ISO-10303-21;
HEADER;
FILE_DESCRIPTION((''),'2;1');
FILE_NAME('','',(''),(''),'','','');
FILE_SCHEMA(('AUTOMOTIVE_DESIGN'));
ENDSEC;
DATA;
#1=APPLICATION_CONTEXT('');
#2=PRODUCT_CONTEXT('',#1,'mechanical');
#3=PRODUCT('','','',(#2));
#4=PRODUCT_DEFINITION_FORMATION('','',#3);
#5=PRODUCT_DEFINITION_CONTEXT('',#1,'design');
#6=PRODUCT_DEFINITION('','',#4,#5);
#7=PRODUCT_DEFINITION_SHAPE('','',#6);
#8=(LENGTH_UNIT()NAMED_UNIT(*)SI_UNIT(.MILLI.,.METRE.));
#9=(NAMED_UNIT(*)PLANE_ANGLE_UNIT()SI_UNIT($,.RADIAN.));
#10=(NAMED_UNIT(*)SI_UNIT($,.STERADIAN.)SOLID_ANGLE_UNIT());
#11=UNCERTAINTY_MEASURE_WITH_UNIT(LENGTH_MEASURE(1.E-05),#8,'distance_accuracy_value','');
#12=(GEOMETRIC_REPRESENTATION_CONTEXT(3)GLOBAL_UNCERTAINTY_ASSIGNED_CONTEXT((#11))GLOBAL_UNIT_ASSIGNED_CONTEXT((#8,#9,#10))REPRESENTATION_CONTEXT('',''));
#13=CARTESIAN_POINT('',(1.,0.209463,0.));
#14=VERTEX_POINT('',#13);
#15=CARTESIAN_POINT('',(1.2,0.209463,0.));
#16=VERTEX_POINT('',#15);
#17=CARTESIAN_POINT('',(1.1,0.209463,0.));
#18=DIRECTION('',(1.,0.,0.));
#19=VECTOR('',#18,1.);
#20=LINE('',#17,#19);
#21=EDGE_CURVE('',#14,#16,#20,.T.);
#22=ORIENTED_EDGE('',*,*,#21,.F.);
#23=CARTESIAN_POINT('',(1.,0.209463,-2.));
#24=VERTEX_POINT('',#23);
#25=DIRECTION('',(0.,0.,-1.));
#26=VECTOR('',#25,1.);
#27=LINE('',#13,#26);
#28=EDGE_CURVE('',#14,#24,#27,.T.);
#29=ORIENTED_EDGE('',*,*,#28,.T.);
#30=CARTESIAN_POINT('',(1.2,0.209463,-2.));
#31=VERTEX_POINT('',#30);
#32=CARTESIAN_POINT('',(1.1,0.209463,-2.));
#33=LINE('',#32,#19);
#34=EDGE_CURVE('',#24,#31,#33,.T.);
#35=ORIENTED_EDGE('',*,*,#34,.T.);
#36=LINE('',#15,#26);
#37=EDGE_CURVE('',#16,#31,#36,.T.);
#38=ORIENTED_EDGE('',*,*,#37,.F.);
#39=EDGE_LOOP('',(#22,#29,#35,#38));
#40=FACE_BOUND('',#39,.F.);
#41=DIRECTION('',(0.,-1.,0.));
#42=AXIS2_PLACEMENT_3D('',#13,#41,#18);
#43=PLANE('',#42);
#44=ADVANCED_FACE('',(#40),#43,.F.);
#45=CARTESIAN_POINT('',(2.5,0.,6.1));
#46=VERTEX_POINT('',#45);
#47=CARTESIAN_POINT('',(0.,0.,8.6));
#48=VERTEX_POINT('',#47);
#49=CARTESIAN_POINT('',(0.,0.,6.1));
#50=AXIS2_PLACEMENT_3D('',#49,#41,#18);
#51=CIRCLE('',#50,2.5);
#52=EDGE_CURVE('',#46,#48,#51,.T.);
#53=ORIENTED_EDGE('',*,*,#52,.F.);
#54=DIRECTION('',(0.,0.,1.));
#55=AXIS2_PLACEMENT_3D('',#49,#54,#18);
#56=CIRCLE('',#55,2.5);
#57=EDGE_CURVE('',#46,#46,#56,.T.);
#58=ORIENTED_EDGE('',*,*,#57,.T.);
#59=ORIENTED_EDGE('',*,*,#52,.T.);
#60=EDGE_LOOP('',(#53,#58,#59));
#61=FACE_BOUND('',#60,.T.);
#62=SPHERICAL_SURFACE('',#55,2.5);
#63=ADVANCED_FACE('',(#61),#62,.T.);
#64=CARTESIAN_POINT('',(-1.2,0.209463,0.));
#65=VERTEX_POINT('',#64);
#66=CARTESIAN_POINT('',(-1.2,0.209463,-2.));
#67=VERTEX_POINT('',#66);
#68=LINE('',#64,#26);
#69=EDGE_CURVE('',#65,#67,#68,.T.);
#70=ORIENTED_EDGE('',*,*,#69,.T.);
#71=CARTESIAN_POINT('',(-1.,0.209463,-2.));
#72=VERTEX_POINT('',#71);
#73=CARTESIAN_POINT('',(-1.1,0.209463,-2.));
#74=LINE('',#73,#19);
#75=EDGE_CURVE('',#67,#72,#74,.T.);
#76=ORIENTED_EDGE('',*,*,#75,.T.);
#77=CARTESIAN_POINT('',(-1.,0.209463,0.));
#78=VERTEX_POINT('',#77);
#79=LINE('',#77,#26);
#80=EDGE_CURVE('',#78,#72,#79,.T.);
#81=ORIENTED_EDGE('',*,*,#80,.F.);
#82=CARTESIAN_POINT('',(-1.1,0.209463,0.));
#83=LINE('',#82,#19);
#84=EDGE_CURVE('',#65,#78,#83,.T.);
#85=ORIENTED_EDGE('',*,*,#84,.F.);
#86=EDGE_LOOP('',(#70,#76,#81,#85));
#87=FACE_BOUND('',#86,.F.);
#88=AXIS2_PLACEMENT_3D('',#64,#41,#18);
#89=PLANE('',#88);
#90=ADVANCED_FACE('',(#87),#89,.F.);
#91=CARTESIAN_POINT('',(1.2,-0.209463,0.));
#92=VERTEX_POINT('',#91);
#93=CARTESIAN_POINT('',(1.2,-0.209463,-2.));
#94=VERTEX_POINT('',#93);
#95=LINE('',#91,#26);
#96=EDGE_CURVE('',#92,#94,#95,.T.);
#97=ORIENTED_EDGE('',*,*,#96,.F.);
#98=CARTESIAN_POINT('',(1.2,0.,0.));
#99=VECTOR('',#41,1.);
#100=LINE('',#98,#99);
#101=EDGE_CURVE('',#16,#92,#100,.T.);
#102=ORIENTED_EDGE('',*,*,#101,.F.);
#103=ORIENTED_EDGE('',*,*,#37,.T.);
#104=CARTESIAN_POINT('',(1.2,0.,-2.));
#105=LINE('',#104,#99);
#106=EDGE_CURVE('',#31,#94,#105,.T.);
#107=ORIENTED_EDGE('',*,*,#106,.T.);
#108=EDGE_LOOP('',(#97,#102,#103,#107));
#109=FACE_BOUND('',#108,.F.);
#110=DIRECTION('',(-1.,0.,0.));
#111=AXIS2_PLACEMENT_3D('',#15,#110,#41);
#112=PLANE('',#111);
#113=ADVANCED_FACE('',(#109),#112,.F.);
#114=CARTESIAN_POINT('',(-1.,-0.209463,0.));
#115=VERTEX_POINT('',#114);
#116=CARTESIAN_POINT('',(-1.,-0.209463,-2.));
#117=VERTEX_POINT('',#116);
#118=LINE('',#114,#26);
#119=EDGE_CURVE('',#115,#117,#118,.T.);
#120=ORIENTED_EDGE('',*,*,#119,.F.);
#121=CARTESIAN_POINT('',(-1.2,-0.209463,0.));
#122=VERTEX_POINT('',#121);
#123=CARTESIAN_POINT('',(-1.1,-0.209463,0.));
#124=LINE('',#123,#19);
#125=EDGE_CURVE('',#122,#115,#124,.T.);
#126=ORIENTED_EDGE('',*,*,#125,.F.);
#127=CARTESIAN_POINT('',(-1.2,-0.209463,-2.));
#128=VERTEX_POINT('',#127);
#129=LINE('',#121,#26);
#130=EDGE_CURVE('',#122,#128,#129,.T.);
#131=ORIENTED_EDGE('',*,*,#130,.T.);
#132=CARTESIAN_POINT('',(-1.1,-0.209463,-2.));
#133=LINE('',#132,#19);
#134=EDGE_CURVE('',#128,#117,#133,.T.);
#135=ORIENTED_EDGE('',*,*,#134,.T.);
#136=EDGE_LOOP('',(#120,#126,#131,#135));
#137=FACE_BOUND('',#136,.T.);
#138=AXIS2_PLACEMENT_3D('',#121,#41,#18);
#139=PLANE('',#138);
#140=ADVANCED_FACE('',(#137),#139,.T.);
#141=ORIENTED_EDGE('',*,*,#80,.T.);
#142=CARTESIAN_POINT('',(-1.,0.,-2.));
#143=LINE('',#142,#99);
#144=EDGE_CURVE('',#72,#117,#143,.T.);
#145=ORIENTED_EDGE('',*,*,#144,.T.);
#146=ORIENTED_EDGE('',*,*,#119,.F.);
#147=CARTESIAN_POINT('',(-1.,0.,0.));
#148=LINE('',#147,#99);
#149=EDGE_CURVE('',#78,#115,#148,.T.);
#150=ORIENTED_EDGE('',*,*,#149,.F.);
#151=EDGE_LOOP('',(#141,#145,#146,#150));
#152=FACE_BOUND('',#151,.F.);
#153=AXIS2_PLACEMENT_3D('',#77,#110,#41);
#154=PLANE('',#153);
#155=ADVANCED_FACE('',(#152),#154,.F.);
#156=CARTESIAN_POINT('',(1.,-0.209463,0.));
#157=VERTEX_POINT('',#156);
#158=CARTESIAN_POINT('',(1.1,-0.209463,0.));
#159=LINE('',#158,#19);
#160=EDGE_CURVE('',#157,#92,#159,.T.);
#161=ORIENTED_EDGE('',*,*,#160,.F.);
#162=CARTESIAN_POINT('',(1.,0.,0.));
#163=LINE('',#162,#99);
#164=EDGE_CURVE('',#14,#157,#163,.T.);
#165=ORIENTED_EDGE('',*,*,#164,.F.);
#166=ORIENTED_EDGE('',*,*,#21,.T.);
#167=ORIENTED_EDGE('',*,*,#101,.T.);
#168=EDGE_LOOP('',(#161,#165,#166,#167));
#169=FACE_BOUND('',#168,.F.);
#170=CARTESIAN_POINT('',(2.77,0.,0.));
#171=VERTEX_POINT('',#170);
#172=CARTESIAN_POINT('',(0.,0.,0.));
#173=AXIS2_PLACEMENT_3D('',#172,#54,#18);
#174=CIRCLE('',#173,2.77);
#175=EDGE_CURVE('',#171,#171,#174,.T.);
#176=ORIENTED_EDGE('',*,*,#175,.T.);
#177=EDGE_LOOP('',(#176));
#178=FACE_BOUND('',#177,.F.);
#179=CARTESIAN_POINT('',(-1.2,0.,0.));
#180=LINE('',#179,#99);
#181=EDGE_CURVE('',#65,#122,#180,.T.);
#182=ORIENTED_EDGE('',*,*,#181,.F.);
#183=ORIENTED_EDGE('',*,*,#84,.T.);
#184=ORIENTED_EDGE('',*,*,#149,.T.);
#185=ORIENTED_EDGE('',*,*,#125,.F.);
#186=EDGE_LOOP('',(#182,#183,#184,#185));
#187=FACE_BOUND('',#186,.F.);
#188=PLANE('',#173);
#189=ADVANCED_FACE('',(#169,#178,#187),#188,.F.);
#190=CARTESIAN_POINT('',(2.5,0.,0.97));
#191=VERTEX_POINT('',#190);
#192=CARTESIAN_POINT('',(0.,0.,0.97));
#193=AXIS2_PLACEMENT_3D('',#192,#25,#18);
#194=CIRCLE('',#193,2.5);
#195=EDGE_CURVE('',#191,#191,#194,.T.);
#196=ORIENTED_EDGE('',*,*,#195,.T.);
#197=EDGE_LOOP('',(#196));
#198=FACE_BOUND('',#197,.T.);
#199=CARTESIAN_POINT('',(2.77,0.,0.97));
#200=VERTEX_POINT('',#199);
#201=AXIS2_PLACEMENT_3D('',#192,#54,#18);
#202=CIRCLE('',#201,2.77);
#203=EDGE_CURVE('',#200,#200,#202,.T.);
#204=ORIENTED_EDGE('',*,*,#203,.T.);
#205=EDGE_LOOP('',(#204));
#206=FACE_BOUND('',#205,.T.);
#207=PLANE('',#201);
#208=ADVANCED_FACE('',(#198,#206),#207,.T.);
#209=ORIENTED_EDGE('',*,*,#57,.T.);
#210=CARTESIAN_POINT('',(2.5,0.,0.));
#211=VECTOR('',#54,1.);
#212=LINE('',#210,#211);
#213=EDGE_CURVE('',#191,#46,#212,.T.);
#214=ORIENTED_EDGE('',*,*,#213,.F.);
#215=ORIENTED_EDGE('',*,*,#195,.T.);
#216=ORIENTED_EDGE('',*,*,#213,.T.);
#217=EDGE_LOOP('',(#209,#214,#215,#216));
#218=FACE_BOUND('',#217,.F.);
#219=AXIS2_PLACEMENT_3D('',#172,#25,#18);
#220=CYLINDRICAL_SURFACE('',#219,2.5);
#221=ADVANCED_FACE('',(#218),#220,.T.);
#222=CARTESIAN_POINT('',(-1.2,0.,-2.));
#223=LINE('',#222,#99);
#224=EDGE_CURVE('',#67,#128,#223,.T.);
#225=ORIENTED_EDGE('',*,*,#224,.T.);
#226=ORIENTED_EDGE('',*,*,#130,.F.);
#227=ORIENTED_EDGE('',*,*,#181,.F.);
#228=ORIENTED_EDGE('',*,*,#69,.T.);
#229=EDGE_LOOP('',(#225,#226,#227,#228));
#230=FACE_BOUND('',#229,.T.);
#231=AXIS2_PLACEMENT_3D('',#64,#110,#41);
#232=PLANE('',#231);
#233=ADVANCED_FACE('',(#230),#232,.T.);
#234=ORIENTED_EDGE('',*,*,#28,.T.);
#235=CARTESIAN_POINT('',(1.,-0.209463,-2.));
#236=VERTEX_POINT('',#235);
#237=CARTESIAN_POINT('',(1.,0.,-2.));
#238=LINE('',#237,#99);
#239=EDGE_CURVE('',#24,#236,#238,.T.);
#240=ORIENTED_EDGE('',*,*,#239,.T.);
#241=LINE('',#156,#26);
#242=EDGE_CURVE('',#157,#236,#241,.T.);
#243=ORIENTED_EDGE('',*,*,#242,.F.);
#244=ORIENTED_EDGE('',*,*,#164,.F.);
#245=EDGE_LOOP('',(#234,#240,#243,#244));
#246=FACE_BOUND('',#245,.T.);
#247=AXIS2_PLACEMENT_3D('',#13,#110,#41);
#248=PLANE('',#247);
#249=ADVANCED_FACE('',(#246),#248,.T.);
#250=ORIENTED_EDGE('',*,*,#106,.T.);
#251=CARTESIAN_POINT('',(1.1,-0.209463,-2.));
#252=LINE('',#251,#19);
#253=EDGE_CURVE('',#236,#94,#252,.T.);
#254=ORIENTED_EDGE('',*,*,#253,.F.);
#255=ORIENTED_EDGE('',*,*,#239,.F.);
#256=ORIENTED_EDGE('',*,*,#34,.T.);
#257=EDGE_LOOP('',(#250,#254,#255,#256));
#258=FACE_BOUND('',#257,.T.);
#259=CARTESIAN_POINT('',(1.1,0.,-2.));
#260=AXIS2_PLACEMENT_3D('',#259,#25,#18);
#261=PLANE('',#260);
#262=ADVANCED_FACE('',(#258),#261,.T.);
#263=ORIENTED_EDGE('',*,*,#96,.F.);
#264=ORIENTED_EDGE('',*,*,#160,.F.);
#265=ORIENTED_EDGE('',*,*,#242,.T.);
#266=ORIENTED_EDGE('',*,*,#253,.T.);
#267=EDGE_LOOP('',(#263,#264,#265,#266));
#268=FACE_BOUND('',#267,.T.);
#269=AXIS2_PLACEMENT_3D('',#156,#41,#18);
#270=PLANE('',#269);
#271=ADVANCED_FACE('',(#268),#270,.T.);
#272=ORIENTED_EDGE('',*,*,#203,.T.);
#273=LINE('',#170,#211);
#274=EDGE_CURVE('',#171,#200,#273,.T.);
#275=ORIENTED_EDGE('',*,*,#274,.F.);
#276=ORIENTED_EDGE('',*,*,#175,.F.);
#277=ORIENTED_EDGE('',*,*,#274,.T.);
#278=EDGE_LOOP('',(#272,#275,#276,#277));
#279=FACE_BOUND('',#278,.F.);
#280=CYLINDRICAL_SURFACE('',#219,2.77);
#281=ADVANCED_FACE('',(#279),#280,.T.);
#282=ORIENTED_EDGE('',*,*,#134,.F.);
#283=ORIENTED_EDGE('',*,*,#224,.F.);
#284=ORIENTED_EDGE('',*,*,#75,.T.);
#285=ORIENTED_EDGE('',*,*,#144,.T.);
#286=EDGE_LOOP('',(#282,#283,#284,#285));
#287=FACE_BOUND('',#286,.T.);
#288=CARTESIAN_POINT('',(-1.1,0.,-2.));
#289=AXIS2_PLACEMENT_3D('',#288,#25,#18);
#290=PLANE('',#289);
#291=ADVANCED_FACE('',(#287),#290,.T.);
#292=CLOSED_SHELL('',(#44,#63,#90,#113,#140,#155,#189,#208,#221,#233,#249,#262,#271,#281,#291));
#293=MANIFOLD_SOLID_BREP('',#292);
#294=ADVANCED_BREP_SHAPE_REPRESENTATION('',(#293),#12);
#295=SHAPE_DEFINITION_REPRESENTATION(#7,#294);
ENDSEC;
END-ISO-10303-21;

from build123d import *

# Parameters (mm, degrees)
F0_R     = 2.77
F0_R_2   = 2.5
F1_DEPTH = 0.97
F2_DEPTH = 8.6
F3_R     = 2.5
F4_W     = 0.2
F4_H     = 0.418926
F5_DEPTH = 2


with BuildPart() as f1:
    # F0 (on Top) → F1 (new body)
    with BuildSketch(Plane.XY):
        Circle(F0_R)
        Circle(F0_R_2, mode=Mode.SUBTRACT)
        Circle(F0_R_2)
    extrude(amount=F1_DEPTH)

    # F0 (on Top) → F2 (join)
    with BuildSketch(Plane.XY):
        Circle(F0_R_2)
    extrude(amount=F2_DEPTH)

    # F3
    f3_edges = [f1.edges().sort_by_distance(p)[0] for p in [
        (-2.5, 0, 8.6),
    ]]
    fillet(f3_edges, radius=F3_R)

    # F4 (on face) → F5 (join)
    with BuildSketch(Plane(origin=(0, 0, 0), x_dir=(1, 0, 0), z_dir=(0, 0, -1))):
        with Locations((-1.1, 0)):
            Rectangle(F4_W, F4_H)
        with Locations((1.1, 0)):
            Rectangle(F4_W, F4_H)
    extrude(amount=F5_DEPTH)


solid = f1.part
